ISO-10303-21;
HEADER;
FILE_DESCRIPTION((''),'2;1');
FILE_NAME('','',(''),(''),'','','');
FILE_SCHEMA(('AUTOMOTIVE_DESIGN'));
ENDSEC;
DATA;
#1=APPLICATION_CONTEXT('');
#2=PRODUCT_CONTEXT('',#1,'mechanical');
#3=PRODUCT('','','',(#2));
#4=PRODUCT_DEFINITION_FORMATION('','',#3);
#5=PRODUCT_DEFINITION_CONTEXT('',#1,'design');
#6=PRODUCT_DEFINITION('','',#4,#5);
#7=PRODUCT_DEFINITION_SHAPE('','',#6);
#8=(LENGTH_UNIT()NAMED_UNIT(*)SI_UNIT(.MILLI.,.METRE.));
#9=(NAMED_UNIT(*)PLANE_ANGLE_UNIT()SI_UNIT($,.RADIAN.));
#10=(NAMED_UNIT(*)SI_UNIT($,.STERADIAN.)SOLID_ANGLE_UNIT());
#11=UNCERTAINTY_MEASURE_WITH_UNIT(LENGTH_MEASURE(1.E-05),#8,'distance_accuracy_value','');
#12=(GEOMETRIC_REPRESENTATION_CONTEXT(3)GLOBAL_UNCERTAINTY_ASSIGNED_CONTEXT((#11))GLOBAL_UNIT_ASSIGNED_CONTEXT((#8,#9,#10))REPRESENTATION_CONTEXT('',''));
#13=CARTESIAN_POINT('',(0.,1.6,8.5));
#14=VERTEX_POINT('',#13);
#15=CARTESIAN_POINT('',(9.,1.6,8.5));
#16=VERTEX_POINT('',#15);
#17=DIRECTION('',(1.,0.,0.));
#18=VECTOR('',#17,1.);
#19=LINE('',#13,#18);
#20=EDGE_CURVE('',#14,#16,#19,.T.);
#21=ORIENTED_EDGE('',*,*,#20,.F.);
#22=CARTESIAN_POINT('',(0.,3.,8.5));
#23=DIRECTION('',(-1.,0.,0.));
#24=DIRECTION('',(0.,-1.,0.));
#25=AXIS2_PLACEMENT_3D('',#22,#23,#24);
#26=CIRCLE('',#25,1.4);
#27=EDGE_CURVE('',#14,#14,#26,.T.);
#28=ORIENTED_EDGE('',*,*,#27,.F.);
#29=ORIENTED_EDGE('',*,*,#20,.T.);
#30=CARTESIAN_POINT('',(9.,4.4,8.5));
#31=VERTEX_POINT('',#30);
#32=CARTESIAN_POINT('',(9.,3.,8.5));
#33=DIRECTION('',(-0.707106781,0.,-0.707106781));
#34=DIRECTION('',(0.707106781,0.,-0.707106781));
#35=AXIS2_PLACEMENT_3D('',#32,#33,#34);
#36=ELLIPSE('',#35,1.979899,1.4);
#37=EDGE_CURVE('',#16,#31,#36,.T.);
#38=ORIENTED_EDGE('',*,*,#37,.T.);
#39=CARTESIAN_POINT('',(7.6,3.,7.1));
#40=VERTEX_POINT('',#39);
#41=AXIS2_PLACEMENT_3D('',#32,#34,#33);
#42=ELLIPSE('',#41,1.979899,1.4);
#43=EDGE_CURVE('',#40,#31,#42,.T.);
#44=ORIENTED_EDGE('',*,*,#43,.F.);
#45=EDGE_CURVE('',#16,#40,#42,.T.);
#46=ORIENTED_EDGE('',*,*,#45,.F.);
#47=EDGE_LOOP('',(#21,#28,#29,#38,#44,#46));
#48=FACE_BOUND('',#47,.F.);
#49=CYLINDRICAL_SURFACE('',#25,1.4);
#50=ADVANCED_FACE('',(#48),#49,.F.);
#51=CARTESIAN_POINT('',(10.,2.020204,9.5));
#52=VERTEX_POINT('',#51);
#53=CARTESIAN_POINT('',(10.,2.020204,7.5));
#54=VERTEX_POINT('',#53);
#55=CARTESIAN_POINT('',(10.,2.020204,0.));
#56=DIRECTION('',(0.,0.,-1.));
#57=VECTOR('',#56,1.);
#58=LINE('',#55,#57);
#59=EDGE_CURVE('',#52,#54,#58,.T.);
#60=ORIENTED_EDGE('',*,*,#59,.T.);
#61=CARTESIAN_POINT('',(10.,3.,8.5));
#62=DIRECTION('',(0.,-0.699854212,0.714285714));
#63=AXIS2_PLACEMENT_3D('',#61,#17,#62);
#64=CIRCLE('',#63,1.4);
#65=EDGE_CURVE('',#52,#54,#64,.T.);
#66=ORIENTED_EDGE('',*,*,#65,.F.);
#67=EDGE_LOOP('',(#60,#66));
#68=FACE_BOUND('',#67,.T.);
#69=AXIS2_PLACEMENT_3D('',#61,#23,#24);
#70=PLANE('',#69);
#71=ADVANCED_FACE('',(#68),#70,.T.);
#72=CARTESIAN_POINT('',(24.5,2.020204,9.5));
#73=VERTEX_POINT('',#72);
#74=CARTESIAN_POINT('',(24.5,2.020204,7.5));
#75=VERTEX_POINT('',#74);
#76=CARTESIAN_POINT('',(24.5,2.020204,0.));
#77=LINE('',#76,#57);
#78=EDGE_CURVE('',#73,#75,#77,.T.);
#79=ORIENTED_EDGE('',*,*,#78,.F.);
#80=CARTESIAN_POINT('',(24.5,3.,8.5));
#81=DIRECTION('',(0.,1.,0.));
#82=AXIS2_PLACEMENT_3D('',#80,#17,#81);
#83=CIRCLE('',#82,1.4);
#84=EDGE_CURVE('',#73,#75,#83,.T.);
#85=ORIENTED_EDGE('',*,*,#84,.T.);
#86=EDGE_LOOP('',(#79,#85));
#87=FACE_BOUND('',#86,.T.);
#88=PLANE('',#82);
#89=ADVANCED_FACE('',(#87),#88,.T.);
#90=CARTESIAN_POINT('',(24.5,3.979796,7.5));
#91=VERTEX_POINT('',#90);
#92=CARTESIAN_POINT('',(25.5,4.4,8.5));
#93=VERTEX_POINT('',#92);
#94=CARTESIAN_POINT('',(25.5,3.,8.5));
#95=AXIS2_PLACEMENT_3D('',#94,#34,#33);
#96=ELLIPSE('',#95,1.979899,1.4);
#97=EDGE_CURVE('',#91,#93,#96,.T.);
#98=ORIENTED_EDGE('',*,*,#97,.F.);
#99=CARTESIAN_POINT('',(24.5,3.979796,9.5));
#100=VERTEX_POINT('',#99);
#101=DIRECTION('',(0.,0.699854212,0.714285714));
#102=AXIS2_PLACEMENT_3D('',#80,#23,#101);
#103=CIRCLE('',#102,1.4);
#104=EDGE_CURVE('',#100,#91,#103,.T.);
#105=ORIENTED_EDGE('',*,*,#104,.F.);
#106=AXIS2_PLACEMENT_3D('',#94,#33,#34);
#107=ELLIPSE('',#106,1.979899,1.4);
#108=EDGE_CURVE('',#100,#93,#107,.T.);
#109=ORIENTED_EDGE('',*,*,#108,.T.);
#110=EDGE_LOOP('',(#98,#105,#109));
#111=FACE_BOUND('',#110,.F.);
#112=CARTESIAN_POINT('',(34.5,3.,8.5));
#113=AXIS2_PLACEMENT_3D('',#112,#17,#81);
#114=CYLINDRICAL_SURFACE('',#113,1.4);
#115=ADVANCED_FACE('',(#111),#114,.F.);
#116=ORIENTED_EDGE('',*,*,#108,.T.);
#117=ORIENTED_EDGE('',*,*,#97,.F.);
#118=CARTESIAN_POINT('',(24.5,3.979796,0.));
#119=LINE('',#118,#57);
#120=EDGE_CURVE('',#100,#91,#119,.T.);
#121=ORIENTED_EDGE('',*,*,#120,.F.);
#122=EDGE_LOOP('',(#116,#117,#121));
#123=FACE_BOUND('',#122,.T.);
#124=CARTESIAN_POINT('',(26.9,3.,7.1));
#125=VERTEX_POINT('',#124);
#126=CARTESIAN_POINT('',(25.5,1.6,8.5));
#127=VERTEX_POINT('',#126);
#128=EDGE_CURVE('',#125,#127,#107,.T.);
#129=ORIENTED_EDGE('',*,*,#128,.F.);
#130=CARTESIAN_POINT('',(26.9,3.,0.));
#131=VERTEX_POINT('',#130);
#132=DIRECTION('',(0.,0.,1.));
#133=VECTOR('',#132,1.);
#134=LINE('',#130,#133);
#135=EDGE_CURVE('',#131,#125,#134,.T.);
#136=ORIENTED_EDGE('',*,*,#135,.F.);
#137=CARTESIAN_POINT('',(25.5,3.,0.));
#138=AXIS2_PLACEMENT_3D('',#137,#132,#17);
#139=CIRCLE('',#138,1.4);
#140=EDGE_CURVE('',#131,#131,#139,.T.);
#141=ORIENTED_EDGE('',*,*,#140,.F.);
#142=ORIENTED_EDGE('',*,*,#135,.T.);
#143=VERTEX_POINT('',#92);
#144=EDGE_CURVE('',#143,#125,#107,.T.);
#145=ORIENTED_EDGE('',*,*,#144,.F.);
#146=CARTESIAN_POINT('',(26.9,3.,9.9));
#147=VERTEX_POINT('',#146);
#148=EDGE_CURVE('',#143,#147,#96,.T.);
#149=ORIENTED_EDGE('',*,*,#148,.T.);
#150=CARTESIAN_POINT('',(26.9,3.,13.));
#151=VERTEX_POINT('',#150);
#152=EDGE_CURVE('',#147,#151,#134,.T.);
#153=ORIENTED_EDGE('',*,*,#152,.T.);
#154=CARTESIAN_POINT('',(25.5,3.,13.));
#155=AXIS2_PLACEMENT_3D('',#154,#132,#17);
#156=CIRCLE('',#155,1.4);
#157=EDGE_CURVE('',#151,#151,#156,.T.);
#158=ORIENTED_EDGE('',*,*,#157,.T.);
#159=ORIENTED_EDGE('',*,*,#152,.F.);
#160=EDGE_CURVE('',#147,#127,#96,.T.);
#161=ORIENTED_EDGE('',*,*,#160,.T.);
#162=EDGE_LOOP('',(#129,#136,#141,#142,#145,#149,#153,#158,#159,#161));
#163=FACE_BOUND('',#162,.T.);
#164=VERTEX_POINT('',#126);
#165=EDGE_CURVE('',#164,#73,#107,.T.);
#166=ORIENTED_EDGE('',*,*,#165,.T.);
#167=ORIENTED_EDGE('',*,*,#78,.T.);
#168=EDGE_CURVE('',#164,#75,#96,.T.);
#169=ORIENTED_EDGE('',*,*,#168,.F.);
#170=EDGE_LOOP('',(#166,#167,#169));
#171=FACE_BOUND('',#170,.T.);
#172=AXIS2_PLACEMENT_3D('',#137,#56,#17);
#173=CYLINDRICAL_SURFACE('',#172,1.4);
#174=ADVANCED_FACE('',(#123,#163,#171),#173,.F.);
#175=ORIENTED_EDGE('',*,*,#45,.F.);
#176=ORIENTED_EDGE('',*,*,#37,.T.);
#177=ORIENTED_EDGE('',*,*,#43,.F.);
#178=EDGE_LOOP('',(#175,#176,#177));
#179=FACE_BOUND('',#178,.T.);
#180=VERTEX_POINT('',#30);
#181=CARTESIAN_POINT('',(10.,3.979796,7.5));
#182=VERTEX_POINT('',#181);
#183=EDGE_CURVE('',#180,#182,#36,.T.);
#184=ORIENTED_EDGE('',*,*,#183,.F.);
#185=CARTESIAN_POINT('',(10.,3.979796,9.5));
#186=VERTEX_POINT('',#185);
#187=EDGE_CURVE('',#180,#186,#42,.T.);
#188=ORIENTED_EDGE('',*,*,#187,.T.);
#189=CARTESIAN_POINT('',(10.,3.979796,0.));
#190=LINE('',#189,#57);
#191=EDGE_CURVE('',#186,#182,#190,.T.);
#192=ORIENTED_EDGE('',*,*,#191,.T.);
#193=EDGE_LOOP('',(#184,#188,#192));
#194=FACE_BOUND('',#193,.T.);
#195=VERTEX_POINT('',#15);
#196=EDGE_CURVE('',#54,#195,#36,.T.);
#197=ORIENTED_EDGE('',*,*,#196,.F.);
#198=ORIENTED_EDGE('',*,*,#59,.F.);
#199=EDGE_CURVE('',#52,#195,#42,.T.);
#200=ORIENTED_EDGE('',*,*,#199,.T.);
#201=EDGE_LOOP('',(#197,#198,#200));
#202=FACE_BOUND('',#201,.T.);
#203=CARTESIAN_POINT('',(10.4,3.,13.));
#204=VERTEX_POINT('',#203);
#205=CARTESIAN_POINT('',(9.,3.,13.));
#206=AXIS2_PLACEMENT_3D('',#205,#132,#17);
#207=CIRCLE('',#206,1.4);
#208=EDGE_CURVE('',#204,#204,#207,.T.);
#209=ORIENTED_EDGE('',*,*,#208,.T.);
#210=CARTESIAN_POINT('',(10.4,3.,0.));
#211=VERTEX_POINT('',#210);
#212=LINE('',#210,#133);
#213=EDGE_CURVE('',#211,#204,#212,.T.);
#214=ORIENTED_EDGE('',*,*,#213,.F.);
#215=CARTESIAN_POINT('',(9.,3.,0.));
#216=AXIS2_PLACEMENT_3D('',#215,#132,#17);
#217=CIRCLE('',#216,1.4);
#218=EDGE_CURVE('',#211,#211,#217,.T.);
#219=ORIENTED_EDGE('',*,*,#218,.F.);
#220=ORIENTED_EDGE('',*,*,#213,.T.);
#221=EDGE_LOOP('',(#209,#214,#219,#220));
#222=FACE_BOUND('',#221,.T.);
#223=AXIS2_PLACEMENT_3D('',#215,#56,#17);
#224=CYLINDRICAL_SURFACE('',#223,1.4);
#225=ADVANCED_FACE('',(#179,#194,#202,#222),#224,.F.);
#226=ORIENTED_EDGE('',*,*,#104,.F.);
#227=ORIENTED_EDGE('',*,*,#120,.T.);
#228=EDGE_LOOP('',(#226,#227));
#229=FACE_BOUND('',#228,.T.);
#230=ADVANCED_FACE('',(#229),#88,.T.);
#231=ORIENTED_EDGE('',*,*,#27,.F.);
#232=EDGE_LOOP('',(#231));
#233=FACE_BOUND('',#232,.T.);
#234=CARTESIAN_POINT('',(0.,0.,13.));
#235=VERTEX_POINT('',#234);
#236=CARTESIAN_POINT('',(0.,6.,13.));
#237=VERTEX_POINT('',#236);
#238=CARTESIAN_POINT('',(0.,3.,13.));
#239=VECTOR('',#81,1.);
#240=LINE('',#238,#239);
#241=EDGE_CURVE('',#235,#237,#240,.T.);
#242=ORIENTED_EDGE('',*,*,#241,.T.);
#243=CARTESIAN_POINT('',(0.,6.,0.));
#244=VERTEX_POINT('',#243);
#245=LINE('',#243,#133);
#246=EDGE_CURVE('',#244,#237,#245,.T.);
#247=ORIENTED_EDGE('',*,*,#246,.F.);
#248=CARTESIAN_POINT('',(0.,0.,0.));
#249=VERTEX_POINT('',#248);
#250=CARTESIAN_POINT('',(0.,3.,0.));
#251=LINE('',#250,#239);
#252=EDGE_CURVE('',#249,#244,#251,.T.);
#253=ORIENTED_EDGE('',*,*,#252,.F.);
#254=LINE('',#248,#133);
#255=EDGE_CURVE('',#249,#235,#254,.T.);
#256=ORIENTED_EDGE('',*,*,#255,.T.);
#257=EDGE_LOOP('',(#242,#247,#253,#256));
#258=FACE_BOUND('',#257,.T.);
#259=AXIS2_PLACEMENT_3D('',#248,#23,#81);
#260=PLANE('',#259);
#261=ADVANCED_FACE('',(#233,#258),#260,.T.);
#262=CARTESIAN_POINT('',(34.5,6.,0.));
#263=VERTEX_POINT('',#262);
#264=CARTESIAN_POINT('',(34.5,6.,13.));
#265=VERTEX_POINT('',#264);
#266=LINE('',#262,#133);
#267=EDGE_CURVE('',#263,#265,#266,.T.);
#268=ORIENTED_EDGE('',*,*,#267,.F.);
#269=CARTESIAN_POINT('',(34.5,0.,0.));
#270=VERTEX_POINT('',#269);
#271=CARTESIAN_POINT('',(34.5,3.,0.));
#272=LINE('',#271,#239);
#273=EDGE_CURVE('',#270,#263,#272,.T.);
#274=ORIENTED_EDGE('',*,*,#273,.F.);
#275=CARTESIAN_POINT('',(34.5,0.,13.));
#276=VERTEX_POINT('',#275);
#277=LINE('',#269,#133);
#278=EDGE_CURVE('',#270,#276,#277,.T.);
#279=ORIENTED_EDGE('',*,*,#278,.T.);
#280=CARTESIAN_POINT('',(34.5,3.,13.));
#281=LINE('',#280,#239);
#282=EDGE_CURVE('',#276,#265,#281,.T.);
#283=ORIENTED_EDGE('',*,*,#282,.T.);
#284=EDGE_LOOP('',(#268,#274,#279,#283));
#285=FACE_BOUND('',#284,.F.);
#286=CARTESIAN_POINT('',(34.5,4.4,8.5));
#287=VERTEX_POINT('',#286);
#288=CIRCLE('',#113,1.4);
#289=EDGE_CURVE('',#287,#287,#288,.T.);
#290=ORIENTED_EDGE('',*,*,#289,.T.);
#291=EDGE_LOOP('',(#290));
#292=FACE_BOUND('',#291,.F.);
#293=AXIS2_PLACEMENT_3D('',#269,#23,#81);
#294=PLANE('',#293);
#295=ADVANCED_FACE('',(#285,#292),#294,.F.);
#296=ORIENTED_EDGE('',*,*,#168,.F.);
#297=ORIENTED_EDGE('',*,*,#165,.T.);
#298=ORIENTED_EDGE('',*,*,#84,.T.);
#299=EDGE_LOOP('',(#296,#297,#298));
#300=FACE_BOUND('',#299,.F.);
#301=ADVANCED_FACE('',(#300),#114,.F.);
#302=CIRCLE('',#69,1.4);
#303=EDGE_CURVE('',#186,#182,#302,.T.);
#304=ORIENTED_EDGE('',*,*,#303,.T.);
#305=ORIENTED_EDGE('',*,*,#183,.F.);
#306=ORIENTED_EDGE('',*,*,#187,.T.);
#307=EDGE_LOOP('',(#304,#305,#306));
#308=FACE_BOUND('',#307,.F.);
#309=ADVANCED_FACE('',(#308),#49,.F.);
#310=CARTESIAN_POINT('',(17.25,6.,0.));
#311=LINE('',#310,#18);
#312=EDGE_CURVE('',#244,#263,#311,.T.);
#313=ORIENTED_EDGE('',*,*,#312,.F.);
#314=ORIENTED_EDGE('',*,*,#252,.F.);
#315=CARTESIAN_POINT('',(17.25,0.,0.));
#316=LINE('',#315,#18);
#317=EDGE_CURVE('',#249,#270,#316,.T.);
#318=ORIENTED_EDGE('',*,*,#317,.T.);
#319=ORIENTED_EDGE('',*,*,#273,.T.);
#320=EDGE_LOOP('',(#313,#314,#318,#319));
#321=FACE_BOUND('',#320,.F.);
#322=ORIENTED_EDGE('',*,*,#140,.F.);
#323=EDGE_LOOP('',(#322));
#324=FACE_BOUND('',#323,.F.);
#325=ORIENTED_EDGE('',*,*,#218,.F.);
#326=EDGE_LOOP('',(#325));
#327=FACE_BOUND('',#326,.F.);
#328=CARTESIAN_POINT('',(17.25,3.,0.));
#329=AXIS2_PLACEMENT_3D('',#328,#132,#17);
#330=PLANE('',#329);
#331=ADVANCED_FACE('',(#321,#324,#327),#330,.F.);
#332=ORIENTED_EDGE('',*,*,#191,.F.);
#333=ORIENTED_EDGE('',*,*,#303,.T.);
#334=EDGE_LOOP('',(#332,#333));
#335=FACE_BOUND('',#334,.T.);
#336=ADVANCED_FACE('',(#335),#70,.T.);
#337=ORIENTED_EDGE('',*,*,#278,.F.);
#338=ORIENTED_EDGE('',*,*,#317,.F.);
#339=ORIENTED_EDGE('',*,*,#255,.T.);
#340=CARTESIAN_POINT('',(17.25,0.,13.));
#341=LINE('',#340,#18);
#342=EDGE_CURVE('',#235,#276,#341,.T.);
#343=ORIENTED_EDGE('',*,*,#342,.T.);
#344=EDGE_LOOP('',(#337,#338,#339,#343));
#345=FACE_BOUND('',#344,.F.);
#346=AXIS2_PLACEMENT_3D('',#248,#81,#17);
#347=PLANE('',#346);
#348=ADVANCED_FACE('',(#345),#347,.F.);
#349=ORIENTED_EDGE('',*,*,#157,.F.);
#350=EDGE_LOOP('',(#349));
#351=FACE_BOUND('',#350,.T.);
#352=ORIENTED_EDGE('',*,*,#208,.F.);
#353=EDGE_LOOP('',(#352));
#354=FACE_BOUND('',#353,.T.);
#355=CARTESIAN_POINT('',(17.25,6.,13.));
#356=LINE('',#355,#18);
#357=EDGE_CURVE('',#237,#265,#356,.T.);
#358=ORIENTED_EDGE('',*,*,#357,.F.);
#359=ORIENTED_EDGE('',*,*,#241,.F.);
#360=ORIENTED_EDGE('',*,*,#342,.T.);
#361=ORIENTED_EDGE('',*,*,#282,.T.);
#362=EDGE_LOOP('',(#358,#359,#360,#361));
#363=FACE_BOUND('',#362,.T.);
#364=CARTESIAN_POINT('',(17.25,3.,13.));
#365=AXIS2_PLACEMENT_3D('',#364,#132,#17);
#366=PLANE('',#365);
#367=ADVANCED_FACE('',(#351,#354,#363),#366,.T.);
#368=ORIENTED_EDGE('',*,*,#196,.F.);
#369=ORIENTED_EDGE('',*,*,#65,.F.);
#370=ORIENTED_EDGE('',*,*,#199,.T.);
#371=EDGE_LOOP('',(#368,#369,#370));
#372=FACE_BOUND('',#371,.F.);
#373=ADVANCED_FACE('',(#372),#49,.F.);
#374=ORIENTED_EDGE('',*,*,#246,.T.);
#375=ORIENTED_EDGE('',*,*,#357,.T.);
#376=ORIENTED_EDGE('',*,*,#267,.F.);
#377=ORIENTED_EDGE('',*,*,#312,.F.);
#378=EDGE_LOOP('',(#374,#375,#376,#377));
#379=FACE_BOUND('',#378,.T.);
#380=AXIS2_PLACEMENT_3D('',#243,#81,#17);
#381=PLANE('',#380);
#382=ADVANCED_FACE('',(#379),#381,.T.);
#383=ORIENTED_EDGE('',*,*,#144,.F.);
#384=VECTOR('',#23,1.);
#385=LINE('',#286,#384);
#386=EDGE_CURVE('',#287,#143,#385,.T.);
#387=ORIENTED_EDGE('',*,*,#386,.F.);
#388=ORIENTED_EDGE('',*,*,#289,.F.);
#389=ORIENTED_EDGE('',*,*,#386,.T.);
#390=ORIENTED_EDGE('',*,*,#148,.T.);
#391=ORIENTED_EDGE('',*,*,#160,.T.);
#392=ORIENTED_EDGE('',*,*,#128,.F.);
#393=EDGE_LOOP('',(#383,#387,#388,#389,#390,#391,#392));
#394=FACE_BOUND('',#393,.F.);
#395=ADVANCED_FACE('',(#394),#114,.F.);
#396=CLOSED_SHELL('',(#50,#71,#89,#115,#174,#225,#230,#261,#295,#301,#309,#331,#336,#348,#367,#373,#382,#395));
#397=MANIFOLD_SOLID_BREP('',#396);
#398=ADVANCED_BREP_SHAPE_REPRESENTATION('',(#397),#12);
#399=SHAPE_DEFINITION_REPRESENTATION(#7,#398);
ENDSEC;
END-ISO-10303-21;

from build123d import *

# Parameters (mm, degrees)
F0_W     = 34.5
F0_H     = 6
F0_R     = 1.4
F1_DEPTH = 13
F2_R     = 1.4
F3_DEPTH = 10
F4_R     = 1.4
F5_DEPTH = 10


with BuildPart() as f1:
    # F0 (on Top) → F1 (new body)
    with BuildSketch(Plane.XY):
        with Locations((17.25, 3)):
            Rectangle(F0_W, F0_H)
        with Locations((9, 3)):
            Circle(F0_R, mode=Mode.SUBTRACT)
        with Locations((25.5, 3)):
            Circle(F0_R, mode=Mode.SUBTRACT)
    extrude(amount=F1_DEPTH)

    # F2 (on face) → F3 (cut)
    with BuildSketch(Plane(origin=(0, 0, 0), x_dir=(0, -1, 0), z_dir=(-1, 0, 0))):
        with Locations((-3, 8.5)):
            Circle(F2_R)
    extrude(amount=-F3_DEPTH, mode=Mode.SUBTRACT)

    # F4 (on face) → F5 (cut)
    with BuildSketch(Plane.YZ.offset(34.5)):
        with Locations((3, 8.5)):
            Circle(F4_R)
    extrude(amount=-F5_DEPTH, mode=Mode.SUBTRACT)


solid = f1.part
